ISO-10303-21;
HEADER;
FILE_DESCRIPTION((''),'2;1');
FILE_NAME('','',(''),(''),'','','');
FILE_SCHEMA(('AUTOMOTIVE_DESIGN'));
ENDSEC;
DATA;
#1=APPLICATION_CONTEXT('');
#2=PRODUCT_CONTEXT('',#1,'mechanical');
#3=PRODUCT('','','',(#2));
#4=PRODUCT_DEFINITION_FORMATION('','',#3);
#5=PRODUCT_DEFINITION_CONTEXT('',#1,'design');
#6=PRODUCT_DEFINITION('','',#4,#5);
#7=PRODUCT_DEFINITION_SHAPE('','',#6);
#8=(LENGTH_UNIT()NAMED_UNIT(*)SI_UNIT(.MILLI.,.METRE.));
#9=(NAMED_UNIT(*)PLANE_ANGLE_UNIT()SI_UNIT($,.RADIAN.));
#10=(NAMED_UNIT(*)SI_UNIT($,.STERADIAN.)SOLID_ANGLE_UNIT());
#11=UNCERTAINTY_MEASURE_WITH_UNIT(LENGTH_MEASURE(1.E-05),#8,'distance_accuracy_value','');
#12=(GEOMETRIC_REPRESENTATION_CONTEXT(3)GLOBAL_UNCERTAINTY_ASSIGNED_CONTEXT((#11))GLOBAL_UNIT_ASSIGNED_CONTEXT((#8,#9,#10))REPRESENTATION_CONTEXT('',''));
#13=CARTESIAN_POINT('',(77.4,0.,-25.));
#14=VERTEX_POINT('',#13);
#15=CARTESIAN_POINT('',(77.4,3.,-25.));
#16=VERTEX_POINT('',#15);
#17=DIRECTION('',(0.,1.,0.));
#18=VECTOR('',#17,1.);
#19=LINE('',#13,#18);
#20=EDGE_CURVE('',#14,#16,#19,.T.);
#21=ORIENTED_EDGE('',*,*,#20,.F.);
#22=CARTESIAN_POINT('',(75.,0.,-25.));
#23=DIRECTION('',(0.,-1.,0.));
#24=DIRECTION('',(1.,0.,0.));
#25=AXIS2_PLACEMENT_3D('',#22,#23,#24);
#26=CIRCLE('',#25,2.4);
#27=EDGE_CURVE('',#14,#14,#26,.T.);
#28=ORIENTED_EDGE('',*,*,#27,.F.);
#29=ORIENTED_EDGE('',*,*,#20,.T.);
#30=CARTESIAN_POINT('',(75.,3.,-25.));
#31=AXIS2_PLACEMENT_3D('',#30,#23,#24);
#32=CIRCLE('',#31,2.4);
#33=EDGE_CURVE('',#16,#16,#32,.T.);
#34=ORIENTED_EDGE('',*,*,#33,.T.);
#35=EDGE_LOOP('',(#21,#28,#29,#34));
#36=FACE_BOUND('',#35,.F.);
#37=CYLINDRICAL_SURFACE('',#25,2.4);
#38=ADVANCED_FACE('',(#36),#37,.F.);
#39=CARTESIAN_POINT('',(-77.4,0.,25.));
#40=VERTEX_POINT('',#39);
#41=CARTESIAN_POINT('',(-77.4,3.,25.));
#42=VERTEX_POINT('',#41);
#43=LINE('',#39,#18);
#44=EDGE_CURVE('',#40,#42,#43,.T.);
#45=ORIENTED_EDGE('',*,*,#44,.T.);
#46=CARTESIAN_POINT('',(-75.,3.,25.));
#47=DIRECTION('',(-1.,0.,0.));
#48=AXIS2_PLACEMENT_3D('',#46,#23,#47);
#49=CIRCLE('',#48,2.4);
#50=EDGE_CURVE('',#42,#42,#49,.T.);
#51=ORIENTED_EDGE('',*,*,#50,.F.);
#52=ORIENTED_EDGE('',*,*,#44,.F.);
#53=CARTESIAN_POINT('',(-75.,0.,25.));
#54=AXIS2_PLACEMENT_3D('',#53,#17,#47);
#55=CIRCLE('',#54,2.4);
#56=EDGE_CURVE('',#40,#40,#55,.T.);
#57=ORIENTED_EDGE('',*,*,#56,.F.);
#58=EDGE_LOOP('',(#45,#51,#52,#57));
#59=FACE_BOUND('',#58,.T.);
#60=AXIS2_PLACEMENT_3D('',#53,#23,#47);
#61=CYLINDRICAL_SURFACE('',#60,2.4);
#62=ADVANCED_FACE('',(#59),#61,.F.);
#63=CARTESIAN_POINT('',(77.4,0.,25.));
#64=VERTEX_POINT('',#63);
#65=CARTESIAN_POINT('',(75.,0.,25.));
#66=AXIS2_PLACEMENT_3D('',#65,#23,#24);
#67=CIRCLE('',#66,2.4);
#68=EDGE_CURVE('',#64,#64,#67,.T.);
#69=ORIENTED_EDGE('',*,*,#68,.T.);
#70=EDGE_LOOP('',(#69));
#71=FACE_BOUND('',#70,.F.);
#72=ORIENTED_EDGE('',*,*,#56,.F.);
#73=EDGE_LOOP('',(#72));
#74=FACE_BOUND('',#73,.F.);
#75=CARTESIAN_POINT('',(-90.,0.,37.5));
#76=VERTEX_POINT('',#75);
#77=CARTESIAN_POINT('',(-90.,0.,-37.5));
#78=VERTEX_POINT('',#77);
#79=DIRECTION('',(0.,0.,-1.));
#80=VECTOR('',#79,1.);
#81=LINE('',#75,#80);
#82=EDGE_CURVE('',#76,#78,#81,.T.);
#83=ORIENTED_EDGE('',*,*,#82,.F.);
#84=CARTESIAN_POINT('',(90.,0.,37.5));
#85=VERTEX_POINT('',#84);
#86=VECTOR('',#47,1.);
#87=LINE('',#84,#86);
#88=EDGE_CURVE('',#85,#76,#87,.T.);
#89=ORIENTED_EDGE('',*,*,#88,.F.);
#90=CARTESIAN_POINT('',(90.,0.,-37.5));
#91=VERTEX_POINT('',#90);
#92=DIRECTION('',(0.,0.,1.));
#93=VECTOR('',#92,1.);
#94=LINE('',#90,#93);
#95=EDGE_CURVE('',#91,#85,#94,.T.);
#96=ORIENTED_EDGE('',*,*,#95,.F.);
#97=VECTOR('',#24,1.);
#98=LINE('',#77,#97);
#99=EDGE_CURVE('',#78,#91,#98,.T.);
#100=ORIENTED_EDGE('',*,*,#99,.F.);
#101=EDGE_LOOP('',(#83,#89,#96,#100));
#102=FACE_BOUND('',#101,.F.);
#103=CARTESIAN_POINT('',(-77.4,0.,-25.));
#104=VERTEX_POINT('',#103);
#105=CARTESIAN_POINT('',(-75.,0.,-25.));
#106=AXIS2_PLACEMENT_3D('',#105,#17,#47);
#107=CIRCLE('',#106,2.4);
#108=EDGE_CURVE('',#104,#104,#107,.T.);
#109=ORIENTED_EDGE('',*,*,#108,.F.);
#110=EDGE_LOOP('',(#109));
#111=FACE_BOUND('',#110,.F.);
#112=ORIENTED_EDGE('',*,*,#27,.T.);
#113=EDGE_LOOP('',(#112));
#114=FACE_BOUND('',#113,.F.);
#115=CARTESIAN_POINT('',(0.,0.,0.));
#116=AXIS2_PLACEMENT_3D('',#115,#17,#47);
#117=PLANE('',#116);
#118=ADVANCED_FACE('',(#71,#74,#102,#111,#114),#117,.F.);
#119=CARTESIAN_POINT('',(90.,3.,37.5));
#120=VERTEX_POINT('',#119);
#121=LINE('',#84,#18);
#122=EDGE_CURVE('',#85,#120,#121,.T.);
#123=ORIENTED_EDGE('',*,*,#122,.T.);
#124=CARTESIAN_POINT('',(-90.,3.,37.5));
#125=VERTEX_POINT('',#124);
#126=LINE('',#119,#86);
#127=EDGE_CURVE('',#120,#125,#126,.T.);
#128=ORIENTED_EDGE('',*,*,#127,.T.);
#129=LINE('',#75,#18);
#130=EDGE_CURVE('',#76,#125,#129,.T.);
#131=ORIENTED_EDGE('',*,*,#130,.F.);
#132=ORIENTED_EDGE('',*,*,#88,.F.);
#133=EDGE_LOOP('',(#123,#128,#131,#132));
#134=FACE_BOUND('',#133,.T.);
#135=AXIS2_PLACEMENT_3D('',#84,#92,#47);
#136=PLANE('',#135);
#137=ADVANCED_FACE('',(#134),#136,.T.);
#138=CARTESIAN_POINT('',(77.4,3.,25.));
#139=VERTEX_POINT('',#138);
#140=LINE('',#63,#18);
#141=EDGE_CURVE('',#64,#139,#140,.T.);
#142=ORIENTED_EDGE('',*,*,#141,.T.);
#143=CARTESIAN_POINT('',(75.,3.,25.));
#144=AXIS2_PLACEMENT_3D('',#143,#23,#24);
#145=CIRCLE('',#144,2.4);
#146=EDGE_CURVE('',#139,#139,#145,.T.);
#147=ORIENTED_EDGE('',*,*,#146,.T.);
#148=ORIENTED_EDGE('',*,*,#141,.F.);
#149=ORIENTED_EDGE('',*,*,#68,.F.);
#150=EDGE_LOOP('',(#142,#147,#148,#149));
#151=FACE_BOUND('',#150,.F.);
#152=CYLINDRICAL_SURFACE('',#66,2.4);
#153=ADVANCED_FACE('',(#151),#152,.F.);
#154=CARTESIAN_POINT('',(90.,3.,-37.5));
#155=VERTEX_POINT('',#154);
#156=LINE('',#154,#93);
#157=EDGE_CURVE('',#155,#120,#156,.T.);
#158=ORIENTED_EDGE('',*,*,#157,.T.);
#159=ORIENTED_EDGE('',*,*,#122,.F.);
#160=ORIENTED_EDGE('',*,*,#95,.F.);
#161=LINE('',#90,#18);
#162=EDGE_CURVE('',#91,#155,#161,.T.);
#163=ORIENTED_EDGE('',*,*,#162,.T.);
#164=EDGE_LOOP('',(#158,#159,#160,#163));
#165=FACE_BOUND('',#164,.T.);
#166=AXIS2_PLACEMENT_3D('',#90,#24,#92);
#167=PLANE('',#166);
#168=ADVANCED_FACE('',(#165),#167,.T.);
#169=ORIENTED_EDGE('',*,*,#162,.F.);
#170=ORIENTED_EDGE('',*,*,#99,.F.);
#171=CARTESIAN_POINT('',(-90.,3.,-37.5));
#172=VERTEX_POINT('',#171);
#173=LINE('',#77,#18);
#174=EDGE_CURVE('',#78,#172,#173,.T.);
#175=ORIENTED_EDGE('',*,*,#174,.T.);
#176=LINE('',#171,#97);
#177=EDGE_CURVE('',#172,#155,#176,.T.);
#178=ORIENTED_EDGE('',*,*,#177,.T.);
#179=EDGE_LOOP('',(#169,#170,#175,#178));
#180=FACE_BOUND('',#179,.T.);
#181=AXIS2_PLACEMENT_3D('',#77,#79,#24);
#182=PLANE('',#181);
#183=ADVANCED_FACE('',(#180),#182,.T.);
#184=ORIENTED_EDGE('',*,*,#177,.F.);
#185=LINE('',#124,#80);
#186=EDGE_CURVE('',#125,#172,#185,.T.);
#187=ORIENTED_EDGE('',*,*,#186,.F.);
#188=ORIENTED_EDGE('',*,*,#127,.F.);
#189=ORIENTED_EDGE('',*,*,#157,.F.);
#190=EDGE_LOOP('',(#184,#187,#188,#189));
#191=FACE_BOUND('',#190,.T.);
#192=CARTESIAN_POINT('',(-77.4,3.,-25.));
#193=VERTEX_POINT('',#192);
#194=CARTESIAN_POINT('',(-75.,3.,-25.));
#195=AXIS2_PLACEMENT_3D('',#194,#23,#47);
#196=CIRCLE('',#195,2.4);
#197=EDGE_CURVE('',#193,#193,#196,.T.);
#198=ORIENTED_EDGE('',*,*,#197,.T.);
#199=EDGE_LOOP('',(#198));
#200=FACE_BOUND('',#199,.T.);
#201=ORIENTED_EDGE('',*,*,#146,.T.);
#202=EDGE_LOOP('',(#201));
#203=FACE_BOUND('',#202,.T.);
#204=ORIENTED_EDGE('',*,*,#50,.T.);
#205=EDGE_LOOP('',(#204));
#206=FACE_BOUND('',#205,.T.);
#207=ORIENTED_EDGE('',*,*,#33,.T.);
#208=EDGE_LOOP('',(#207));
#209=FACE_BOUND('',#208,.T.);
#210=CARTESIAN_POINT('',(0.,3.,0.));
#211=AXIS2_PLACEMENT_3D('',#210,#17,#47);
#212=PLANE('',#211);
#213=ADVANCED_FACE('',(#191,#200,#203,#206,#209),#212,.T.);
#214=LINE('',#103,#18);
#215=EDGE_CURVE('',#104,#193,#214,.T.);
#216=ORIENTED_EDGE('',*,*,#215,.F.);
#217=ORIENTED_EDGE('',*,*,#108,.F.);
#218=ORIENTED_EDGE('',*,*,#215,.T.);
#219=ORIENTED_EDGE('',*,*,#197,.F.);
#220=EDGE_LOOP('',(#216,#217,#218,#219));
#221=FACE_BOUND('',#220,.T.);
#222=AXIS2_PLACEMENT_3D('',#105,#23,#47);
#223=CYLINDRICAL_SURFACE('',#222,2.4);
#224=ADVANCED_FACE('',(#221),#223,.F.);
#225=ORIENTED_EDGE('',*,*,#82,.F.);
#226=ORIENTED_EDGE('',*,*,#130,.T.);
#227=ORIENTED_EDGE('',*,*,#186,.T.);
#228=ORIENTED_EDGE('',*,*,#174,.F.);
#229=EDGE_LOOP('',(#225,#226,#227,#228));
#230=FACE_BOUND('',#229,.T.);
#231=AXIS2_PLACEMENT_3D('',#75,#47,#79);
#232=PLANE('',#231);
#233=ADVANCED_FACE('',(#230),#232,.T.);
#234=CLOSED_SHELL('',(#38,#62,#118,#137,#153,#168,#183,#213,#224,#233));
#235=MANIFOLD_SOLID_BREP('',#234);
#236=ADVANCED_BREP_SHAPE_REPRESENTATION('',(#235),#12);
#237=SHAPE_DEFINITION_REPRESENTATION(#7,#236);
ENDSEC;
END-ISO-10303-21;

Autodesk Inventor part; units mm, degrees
ref_plane "YZ Plane" through (0, 0, 0) normal (1, 0, 0) x (0, 1, 0)
ref_plane "XZ Plane" through (0, 0, 0) normal (0, 1, 0) x (-1, 0, 0)
ref_plane "XY Plane" through (0, 0, 0) normal (0, 0, 1) x (1, 0, 0)
sketch "Sketch1" plane through (0, 0, 0) normal (0, 1, 0) x (-1, 0, 0)
  line L0 (-90, 37.5) -> (90, 37.5)
  line L1 (90, 37.5) -> (90, -37.5)
  line L2 (90, -37.5) -> (-90, -37.5)
  line L3 (-90, -37.5) -> (-90, 37.5)
  line L4 (-90, 37.5) -> (90, -37.5) construction
  line L5 (90, 37.5) -> (-90, -37.5) construction
  point P0 (0, 0)
  dimension "d0" = 180
  dimension "d1" = 75
extrude "Extrusion1" add sketch "Sketch1" along normal blind 3
sketch "Sketch2" plane through (0, 0, 0) normal (0, -1, 0) x (1, 0, 0)
  circle A0 centre (75, 25) radius 2.4
  circle A1 centre (75, -25) radius 2.4
  circle A2 centre (97.5, 25) radius 2.7 projected
  circle A3 centre (97.5, -25) radius 2.7 projected
  line L0 (90, 37.5) -> (90, -37.5) projected
  point P0 (0, 0)
  dimension "d4" = 4.8
  dimension "d5" = 15
ref_plane "Work Plane1" through (0, 0, 37.5) normal (1, 0, 0) x (0, 0, -1)
extrude "Extrusion2" cut sketch "Sketch2" against normal through all contours A0 | A1
mirror "Mirror1" about plane through (0, 0, 37.5) normal (1, 0, 0) of "Extrusion2"
properties part number "Side Plane" material "Wood (Birch)"
